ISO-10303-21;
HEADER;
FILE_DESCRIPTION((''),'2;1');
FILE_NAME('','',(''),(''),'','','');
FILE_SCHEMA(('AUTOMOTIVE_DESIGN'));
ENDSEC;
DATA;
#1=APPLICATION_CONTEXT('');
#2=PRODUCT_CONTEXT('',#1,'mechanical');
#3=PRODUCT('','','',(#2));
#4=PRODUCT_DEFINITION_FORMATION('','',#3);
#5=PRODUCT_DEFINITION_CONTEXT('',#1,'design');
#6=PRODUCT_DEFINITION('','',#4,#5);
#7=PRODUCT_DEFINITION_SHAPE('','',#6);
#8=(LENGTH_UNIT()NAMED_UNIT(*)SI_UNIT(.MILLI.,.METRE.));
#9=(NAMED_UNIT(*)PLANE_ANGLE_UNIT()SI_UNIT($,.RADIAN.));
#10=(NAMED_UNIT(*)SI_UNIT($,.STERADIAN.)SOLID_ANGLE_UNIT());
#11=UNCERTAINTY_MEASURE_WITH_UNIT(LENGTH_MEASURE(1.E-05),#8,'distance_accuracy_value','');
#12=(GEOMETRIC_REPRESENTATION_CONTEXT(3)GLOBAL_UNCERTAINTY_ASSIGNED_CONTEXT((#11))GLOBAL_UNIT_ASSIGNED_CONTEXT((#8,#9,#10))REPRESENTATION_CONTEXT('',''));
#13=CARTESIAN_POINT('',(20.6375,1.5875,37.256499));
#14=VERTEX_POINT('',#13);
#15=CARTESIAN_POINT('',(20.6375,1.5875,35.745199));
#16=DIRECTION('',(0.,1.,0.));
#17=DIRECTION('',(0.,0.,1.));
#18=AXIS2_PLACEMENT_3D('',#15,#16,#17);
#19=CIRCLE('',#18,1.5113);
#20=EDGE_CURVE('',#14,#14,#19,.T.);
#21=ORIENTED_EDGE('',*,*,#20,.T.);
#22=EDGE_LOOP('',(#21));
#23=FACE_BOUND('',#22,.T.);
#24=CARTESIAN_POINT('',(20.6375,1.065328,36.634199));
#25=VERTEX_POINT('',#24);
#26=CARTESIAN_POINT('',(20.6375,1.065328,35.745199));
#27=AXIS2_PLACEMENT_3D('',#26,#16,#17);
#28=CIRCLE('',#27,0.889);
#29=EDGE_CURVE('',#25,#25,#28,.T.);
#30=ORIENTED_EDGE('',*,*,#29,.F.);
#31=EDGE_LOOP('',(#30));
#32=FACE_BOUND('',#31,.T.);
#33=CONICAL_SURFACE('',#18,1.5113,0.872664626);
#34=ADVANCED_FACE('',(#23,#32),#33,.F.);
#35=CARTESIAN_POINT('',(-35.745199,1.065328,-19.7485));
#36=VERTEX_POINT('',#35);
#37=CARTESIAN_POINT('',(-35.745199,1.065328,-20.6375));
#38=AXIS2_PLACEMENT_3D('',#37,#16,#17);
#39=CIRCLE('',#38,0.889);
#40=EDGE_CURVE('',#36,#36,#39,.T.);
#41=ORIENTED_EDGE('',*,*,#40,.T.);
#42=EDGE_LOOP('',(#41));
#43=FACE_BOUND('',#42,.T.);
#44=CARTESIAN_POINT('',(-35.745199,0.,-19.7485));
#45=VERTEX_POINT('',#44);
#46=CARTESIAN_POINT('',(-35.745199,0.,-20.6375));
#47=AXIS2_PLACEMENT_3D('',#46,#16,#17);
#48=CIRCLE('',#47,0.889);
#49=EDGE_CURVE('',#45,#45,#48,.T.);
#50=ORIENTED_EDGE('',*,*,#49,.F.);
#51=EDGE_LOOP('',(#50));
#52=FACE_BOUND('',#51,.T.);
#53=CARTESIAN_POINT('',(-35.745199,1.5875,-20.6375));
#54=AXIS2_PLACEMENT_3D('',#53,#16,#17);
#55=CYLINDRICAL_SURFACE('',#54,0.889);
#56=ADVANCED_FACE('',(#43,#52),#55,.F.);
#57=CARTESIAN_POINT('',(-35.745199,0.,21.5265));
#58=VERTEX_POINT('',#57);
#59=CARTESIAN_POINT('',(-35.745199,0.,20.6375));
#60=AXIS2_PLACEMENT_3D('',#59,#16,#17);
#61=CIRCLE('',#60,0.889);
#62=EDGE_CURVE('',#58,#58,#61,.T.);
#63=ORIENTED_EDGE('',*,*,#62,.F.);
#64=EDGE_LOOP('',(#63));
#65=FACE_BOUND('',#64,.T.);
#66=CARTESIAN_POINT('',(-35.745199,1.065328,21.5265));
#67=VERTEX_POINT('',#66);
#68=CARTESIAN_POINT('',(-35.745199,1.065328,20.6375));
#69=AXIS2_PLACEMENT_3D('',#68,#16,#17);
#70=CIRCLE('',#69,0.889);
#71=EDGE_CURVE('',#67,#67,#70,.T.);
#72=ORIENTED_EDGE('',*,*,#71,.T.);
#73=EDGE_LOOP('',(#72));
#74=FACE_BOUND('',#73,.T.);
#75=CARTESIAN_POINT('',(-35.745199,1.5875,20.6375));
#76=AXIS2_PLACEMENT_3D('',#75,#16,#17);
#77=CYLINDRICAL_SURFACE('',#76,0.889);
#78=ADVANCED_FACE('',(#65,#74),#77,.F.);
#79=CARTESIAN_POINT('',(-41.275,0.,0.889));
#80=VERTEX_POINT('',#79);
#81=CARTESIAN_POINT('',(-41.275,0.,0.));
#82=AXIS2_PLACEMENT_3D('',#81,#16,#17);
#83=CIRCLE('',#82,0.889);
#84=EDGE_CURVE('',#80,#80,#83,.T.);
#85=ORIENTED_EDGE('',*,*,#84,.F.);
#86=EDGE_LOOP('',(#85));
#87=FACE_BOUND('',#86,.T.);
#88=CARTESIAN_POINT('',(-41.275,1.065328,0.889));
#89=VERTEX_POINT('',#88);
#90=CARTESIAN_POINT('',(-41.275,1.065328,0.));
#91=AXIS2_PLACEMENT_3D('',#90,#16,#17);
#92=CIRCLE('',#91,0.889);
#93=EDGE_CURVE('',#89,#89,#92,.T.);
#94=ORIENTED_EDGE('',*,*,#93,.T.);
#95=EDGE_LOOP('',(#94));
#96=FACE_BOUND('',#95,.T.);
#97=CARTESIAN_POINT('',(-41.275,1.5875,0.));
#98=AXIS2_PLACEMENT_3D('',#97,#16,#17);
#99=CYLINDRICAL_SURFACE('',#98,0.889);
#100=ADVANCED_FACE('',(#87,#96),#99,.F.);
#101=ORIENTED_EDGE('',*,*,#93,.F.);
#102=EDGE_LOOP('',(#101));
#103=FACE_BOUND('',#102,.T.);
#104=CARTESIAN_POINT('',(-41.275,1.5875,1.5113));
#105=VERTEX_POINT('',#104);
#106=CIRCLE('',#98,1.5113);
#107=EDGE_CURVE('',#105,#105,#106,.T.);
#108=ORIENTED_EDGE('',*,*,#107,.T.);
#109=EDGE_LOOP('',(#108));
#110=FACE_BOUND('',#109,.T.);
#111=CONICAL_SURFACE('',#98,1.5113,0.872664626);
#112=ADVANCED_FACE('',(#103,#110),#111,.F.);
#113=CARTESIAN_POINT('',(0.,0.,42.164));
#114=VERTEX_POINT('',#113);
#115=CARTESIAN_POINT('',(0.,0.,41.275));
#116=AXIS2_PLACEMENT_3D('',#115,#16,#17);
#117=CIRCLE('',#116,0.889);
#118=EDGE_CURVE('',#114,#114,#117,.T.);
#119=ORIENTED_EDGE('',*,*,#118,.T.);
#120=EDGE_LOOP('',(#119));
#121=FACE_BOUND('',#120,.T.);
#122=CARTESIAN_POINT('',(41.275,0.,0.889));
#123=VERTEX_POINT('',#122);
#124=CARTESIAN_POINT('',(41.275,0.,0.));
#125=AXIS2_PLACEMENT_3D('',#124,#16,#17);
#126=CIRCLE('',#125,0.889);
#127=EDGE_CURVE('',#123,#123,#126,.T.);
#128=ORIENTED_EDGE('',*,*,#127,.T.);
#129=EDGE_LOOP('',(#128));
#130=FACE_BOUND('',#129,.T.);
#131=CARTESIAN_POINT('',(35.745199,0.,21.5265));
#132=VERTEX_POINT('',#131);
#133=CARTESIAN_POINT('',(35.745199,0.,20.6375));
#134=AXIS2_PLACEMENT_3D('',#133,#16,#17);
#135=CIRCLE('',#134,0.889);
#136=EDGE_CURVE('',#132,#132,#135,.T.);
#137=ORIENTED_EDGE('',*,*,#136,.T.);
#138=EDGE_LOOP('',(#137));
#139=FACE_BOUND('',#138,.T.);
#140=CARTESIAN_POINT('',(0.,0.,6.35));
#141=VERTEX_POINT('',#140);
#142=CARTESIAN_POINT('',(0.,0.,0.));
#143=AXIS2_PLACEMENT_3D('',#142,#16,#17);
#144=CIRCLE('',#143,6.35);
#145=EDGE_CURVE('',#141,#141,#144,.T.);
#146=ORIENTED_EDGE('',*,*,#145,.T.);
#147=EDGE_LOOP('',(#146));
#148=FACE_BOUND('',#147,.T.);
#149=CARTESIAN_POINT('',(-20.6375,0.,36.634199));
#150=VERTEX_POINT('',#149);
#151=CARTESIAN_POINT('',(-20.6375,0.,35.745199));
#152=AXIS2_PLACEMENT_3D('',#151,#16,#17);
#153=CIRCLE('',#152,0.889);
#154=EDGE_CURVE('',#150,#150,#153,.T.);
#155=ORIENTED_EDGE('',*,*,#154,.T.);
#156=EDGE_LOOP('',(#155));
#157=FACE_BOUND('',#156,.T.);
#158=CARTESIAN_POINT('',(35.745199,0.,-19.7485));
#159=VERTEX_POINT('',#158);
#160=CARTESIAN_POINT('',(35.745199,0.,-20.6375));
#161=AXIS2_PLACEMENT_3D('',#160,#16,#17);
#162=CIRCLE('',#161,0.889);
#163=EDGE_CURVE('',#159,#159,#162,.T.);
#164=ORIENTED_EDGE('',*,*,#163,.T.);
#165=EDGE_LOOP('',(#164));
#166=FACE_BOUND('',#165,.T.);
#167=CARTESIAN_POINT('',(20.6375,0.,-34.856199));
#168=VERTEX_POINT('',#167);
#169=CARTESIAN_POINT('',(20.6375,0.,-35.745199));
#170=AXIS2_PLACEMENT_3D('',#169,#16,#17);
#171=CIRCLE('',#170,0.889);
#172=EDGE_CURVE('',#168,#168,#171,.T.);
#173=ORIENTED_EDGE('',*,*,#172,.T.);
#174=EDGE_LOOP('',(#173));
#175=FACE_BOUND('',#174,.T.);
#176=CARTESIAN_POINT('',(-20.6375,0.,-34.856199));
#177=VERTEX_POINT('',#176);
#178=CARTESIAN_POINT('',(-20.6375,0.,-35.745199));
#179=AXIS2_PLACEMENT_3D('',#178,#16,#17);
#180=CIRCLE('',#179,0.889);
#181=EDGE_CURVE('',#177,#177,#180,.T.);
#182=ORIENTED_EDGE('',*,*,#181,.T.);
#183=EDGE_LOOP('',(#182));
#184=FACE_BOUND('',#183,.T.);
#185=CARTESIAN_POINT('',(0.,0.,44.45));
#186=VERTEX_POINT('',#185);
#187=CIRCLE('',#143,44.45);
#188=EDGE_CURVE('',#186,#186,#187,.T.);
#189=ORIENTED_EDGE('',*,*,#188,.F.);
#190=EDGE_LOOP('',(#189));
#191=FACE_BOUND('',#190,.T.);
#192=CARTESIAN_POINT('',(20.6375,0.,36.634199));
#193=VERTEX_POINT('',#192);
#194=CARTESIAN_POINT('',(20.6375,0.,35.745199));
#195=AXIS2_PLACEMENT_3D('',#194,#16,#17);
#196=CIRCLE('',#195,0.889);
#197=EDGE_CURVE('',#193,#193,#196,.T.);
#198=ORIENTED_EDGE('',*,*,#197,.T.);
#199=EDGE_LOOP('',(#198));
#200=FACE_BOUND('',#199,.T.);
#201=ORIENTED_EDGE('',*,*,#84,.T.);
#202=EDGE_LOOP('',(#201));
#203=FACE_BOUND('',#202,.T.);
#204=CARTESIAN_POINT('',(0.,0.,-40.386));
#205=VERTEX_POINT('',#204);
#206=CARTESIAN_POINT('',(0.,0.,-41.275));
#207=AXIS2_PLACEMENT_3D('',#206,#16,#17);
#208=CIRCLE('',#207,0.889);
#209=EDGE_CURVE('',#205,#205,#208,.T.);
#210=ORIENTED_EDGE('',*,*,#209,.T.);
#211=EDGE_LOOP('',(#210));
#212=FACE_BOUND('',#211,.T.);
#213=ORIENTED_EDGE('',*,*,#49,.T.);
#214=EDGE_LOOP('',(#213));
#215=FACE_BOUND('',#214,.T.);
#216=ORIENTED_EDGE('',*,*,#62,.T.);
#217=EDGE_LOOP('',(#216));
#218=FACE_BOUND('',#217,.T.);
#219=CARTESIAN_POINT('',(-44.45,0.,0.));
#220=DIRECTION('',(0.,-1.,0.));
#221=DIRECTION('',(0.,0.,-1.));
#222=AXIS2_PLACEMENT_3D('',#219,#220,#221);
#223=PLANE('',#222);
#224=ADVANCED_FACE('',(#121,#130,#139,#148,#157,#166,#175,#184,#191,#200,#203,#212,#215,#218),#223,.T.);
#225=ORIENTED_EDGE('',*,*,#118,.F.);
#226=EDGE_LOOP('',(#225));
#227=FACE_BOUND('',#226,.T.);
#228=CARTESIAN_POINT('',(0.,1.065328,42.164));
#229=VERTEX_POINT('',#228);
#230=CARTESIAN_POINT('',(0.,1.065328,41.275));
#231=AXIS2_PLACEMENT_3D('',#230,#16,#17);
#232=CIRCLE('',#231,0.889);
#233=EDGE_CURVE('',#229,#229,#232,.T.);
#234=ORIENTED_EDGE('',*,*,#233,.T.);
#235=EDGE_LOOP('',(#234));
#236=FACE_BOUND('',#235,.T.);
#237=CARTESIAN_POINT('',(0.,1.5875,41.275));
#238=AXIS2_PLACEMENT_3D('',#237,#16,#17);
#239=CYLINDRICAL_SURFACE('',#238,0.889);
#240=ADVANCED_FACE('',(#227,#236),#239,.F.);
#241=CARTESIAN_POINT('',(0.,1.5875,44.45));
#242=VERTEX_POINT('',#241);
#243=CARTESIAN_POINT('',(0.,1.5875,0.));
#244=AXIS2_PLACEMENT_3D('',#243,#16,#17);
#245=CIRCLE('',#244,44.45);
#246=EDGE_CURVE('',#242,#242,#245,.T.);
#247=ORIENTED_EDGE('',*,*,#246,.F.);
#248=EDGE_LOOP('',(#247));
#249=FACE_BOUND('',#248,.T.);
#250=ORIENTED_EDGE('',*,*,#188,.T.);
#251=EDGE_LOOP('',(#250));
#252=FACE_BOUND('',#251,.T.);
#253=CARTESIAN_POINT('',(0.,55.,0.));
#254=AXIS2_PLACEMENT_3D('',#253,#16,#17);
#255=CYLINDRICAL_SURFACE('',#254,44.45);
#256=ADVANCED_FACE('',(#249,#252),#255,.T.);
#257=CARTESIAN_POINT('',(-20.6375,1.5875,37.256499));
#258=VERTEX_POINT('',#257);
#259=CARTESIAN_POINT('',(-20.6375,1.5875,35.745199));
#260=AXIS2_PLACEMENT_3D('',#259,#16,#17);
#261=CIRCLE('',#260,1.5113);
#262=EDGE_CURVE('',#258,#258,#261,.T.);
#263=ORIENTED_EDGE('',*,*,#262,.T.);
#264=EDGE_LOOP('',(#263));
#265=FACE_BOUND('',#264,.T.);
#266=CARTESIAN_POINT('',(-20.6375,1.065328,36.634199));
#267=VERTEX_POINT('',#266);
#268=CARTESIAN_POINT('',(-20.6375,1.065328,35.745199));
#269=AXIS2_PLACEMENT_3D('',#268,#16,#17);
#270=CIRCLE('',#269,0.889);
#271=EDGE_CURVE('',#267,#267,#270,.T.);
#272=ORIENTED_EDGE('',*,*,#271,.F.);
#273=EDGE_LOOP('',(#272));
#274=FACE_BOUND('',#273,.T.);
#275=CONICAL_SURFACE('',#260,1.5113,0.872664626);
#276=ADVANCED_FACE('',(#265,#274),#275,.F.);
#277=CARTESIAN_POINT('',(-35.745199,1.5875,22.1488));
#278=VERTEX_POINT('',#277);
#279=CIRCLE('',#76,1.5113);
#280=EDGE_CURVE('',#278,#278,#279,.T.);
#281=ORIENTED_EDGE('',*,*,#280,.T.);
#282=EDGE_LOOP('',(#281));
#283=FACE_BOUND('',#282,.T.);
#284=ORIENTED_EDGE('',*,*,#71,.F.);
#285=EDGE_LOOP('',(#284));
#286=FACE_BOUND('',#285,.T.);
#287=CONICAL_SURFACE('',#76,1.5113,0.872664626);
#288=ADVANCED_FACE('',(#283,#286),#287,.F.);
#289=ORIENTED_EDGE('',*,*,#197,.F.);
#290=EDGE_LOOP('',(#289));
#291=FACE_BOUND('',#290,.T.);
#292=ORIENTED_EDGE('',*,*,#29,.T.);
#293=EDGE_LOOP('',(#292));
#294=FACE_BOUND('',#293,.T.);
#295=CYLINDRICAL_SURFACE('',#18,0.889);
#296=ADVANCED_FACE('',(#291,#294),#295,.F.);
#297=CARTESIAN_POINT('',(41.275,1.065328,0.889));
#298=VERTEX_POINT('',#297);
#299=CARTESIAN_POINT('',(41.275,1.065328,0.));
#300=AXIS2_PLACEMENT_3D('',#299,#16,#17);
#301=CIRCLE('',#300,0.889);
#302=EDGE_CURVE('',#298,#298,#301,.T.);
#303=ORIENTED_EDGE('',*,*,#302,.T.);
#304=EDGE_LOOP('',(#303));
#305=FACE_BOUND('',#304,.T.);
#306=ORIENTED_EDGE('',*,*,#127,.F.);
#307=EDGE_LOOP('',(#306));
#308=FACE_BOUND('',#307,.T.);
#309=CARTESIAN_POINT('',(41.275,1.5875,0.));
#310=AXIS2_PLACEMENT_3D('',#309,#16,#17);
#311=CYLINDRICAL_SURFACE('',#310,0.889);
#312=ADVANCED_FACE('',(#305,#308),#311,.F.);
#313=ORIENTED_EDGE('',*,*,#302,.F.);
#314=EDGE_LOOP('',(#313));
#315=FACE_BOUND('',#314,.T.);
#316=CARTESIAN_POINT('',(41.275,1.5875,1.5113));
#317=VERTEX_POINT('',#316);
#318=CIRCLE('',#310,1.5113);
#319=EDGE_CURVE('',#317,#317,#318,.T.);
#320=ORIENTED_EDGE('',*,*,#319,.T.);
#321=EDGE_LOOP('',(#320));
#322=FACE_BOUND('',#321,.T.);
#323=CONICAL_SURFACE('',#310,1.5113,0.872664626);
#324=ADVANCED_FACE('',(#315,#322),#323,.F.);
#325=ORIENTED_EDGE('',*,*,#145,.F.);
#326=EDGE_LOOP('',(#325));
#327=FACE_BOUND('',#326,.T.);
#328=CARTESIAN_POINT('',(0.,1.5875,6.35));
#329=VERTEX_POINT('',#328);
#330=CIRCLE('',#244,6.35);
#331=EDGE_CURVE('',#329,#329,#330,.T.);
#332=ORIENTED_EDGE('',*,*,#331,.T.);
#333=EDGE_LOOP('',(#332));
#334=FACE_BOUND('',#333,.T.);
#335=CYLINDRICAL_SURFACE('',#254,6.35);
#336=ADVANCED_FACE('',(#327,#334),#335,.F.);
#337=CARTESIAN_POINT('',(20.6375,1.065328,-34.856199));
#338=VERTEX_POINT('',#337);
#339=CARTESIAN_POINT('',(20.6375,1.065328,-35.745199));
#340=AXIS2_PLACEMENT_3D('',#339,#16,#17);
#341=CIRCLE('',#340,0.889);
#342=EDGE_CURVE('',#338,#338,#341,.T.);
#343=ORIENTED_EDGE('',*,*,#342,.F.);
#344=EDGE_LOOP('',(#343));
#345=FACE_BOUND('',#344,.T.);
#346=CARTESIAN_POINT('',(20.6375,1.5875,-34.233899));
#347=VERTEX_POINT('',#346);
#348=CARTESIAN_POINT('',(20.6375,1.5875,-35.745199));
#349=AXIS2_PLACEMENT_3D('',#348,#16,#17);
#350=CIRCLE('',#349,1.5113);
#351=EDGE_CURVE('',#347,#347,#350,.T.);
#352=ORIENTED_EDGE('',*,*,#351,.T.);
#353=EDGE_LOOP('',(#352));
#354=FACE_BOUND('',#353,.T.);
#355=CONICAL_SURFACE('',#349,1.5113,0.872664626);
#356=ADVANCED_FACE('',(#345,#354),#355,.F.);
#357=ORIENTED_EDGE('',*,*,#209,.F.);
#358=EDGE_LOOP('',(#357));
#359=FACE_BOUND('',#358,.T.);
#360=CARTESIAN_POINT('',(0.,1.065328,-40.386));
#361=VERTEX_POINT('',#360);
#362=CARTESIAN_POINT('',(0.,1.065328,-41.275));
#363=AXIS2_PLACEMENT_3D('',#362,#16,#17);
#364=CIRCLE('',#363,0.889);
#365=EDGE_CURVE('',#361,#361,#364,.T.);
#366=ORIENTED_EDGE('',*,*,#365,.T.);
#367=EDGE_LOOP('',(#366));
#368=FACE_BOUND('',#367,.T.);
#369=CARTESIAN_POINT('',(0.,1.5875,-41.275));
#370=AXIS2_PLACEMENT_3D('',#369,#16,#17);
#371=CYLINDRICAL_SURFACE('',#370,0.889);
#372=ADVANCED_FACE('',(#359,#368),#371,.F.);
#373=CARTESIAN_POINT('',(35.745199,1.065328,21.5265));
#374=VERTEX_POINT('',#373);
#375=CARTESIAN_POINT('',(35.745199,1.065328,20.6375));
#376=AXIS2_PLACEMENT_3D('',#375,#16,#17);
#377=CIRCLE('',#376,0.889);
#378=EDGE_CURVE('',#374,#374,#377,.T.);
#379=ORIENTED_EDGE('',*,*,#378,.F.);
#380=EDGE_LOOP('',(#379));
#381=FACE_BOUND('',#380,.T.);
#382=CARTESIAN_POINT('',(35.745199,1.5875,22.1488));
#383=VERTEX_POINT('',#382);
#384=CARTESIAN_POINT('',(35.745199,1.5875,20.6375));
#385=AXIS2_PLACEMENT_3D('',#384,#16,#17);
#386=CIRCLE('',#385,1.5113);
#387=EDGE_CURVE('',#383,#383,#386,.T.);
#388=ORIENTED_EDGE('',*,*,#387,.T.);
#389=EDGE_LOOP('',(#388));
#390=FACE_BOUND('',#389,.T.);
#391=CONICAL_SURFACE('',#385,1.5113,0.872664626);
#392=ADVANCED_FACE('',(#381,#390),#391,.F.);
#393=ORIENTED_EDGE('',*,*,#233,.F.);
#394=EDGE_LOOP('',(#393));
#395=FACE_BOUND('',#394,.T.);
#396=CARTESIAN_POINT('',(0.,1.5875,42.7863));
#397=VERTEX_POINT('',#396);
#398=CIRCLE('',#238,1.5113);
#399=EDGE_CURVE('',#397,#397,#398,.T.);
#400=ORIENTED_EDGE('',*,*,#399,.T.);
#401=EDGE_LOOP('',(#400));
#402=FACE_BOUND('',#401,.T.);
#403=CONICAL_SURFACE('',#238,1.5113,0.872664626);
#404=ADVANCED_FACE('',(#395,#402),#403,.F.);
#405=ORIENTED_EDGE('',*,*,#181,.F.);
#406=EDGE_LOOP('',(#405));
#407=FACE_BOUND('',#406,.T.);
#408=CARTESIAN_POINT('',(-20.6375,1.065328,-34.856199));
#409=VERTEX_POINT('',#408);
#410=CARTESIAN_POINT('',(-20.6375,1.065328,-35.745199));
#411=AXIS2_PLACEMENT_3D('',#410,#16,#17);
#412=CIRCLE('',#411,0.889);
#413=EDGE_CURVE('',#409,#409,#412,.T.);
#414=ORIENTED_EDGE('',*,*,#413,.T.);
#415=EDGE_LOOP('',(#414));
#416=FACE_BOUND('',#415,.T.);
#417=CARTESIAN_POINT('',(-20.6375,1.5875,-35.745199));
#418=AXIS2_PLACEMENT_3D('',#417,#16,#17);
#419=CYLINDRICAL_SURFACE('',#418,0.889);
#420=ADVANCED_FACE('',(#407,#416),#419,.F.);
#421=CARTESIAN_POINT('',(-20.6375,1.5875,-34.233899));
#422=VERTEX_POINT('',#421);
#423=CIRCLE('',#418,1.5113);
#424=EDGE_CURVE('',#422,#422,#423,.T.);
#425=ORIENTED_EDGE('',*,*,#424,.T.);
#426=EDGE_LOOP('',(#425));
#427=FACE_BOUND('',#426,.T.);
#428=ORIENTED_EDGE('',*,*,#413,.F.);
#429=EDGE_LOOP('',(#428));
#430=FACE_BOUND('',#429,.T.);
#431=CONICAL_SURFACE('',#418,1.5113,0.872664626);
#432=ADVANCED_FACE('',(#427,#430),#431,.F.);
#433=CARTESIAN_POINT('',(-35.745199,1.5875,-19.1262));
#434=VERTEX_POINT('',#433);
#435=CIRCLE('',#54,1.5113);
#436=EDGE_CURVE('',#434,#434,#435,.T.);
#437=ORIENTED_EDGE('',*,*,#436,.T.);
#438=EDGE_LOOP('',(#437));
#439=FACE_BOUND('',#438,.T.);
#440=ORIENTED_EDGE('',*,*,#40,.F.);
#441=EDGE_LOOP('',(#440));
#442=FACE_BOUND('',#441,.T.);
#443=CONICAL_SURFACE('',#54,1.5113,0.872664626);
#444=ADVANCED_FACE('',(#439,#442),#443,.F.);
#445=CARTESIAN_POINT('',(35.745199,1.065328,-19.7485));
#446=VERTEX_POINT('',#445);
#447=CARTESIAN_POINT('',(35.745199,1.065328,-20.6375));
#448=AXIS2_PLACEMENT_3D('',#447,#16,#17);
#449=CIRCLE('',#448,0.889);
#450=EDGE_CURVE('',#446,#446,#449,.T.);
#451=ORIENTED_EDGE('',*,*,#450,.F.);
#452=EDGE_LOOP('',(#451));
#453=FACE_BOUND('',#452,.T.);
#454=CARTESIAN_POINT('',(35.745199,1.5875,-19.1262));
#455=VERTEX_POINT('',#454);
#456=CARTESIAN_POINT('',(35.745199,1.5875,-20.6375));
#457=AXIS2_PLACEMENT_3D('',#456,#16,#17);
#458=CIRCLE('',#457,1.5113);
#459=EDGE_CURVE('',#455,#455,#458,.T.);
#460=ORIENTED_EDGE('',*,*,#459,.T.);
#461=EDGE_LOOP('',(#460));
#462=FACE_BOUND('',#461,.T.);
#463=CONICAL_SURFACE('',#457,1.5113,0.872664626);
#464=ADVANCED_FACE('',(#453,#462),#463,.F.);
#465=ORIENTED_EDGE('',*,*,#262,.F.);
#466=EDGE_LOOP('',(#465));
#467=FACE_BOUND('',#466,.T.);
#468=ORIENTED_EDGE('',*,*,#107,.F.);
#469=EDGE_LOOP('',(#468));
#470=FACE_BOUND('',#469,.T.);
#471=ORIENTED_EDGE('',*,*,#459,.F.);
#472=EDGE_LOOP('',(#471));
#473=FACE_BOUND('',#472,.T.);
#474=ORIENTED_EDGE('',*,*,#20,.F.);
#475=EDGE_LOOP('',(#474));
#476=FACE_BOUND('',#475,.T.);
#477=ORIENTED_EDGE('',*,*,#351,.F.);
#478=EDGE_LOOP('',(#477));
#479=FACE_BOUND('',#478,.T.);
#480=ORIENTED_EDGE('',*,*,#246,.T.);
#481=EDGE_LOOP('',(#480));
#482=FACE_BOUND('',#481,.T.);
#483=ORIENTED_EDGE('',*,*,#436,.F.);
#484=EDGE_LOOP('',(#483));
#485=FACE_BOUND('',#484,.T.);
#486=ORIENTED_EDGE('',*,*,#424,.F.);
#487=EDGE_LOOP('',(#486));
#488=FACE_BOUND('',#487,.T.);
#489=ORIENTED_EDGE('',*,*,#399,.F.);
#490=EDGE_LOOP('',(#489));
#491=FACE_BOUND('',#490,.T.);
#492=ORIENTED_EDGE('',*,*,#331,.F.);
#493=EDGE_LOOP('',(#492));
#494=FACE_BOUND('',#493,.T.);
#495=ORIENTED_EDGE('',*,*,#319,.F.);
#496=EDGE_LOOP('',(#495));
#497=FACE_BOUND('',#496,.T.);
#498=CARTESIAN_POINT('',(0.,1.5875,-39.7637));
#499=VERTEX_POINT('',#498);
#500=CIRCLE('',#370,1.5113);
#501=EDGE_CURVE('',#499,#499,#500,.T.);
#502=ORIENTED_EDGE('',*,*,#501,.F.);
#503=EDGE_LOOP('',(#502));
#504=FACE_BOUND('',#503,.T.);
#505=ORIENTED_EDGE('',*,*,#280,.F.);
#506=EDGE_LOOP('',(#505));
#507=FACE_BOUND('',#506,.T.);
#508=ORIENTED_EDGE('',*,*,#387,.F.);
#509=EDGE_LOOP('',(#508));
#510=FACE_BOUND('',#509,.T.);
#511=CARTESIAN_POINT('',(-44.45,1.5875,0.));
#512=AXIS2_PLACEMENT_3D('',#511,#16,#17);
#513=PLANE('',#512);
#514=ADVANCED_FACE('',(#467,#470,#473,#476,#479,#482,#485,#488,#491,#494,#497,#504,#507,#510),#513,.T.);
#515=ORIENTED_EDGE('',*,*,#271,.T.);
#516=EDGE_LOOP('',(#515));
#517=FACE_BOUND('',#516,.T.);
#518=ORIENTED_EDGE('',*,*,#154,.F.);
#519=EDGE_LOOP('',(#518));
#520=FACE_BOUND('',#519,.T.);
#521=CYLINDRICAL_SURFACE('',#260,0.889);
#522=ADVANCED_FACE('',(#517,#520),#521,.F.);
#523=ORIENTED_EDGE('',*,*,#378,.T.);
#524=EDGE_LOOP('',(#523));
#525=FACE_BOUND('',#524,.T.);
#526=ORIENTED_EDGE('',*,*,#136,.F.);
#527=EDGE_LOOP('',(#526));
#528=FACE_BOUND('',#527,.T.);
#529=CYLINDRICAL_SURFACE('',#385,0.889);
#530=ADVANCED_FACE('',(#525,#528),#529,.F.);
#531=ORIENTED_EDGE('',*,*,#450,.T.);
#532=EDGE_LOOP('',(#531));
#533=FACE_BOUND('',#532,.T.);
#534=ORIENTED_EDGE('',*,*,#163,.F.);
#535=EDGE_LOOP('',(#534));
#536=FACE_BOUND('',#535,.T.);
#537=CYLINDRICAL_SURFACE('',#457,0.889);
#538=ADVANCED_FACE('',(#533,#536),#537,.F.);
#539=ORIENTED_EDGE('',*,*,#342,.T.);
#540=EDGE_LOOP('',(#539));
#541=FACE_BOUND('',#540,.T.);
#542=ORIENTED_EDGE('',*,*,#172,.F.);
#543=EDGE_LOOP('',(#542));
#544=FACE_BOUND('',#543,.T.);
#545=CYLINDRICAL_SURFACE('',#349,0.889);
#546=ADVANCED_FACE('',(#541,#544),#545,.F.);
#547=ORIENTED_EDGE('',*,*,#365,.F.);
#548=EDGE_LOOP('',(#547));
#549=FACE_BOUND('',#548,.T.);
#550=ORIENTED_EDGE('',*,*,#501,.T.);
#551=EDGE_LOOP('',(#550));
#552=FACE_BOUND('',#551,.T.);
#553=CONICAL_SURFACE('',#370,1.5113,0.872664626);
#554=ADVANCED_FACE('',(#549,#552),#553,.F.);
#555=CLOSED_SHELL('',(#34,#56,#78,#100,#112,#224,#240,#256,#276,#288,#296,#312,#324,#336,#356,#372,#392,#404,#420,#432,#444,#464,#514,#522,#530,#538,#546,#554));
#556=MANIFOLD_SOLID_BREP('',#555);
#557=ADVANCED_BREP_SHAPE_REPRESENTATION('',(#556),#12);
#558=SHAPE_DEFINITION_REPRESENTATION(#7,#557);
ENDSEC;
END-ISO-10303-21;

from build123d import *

# Parameters (mm, degrees)
SKETCH1_W                                         = 38.1
SKETCH1_H                                         = 1.5875
CSK_FOR_0_FLAT_HEAD_MACHINE_SCREW_100_D           = 1.778
CSK_FOR_0_FLAT_HEAD_MACHINE_SCREW_100_CSINK_D     = 3.0226
CSK_FOR_0_FLAT_HEAD_MACHINE_SCREW_100_CSINK_ANGLE = 100
CIRPATTERN1_COUNT                                 = 12


with BuildPart() as part:
    # Sketch1 → Revolve1 (revolve)
    with BuildSketch(Plane.XY):
        with Locations((-25.4, 0.79375)):
            Rectangle(SKETCH1_W, SKETCH1_H)
    revolve(axis=Axis((0, 55, 0), (0, -1, 0)))

    # CSK for #0 Flat Head Machine Screw (100)1 (through all)
    with Locations(Plane(origin=(0, 1.5875, 0), x_dir=(1, 0, 0), z_dir=(0, 1, 0))):
        with Locations((-41.275, 0)):
            csk_for_0_flat_head_machine_screw_100 = CounterSinkHole(CSK_FOR_0_FLAT_HEAD_MACHINE_SCREW_100_D / 2, CSK_FOR_0_FLAT_HEAD_MACHINE_SCREW_100_CSINK_D / 2, counter_sink_angle=CSK_FOR_0_FLAT_HEAD_MACHINE_SCREW_100_CSINK_ANGLE)

    # CirPattern1: CSK for #0 Flat Head Machine Screw (100)1 ×12 about axis
    cirpattern1_axis = Axis((0, 0, 0), (0, 1, 0))
    for i in range(1, CIRPATTERN1_COUNT):
        add(csk_for_0_flat_head_machine_screw_100.rotate(cirpattern1_axis, i * 360 / CIRPATTERN1_COUNT), mode=Mode.SUBTRACT)


solid = part.part
